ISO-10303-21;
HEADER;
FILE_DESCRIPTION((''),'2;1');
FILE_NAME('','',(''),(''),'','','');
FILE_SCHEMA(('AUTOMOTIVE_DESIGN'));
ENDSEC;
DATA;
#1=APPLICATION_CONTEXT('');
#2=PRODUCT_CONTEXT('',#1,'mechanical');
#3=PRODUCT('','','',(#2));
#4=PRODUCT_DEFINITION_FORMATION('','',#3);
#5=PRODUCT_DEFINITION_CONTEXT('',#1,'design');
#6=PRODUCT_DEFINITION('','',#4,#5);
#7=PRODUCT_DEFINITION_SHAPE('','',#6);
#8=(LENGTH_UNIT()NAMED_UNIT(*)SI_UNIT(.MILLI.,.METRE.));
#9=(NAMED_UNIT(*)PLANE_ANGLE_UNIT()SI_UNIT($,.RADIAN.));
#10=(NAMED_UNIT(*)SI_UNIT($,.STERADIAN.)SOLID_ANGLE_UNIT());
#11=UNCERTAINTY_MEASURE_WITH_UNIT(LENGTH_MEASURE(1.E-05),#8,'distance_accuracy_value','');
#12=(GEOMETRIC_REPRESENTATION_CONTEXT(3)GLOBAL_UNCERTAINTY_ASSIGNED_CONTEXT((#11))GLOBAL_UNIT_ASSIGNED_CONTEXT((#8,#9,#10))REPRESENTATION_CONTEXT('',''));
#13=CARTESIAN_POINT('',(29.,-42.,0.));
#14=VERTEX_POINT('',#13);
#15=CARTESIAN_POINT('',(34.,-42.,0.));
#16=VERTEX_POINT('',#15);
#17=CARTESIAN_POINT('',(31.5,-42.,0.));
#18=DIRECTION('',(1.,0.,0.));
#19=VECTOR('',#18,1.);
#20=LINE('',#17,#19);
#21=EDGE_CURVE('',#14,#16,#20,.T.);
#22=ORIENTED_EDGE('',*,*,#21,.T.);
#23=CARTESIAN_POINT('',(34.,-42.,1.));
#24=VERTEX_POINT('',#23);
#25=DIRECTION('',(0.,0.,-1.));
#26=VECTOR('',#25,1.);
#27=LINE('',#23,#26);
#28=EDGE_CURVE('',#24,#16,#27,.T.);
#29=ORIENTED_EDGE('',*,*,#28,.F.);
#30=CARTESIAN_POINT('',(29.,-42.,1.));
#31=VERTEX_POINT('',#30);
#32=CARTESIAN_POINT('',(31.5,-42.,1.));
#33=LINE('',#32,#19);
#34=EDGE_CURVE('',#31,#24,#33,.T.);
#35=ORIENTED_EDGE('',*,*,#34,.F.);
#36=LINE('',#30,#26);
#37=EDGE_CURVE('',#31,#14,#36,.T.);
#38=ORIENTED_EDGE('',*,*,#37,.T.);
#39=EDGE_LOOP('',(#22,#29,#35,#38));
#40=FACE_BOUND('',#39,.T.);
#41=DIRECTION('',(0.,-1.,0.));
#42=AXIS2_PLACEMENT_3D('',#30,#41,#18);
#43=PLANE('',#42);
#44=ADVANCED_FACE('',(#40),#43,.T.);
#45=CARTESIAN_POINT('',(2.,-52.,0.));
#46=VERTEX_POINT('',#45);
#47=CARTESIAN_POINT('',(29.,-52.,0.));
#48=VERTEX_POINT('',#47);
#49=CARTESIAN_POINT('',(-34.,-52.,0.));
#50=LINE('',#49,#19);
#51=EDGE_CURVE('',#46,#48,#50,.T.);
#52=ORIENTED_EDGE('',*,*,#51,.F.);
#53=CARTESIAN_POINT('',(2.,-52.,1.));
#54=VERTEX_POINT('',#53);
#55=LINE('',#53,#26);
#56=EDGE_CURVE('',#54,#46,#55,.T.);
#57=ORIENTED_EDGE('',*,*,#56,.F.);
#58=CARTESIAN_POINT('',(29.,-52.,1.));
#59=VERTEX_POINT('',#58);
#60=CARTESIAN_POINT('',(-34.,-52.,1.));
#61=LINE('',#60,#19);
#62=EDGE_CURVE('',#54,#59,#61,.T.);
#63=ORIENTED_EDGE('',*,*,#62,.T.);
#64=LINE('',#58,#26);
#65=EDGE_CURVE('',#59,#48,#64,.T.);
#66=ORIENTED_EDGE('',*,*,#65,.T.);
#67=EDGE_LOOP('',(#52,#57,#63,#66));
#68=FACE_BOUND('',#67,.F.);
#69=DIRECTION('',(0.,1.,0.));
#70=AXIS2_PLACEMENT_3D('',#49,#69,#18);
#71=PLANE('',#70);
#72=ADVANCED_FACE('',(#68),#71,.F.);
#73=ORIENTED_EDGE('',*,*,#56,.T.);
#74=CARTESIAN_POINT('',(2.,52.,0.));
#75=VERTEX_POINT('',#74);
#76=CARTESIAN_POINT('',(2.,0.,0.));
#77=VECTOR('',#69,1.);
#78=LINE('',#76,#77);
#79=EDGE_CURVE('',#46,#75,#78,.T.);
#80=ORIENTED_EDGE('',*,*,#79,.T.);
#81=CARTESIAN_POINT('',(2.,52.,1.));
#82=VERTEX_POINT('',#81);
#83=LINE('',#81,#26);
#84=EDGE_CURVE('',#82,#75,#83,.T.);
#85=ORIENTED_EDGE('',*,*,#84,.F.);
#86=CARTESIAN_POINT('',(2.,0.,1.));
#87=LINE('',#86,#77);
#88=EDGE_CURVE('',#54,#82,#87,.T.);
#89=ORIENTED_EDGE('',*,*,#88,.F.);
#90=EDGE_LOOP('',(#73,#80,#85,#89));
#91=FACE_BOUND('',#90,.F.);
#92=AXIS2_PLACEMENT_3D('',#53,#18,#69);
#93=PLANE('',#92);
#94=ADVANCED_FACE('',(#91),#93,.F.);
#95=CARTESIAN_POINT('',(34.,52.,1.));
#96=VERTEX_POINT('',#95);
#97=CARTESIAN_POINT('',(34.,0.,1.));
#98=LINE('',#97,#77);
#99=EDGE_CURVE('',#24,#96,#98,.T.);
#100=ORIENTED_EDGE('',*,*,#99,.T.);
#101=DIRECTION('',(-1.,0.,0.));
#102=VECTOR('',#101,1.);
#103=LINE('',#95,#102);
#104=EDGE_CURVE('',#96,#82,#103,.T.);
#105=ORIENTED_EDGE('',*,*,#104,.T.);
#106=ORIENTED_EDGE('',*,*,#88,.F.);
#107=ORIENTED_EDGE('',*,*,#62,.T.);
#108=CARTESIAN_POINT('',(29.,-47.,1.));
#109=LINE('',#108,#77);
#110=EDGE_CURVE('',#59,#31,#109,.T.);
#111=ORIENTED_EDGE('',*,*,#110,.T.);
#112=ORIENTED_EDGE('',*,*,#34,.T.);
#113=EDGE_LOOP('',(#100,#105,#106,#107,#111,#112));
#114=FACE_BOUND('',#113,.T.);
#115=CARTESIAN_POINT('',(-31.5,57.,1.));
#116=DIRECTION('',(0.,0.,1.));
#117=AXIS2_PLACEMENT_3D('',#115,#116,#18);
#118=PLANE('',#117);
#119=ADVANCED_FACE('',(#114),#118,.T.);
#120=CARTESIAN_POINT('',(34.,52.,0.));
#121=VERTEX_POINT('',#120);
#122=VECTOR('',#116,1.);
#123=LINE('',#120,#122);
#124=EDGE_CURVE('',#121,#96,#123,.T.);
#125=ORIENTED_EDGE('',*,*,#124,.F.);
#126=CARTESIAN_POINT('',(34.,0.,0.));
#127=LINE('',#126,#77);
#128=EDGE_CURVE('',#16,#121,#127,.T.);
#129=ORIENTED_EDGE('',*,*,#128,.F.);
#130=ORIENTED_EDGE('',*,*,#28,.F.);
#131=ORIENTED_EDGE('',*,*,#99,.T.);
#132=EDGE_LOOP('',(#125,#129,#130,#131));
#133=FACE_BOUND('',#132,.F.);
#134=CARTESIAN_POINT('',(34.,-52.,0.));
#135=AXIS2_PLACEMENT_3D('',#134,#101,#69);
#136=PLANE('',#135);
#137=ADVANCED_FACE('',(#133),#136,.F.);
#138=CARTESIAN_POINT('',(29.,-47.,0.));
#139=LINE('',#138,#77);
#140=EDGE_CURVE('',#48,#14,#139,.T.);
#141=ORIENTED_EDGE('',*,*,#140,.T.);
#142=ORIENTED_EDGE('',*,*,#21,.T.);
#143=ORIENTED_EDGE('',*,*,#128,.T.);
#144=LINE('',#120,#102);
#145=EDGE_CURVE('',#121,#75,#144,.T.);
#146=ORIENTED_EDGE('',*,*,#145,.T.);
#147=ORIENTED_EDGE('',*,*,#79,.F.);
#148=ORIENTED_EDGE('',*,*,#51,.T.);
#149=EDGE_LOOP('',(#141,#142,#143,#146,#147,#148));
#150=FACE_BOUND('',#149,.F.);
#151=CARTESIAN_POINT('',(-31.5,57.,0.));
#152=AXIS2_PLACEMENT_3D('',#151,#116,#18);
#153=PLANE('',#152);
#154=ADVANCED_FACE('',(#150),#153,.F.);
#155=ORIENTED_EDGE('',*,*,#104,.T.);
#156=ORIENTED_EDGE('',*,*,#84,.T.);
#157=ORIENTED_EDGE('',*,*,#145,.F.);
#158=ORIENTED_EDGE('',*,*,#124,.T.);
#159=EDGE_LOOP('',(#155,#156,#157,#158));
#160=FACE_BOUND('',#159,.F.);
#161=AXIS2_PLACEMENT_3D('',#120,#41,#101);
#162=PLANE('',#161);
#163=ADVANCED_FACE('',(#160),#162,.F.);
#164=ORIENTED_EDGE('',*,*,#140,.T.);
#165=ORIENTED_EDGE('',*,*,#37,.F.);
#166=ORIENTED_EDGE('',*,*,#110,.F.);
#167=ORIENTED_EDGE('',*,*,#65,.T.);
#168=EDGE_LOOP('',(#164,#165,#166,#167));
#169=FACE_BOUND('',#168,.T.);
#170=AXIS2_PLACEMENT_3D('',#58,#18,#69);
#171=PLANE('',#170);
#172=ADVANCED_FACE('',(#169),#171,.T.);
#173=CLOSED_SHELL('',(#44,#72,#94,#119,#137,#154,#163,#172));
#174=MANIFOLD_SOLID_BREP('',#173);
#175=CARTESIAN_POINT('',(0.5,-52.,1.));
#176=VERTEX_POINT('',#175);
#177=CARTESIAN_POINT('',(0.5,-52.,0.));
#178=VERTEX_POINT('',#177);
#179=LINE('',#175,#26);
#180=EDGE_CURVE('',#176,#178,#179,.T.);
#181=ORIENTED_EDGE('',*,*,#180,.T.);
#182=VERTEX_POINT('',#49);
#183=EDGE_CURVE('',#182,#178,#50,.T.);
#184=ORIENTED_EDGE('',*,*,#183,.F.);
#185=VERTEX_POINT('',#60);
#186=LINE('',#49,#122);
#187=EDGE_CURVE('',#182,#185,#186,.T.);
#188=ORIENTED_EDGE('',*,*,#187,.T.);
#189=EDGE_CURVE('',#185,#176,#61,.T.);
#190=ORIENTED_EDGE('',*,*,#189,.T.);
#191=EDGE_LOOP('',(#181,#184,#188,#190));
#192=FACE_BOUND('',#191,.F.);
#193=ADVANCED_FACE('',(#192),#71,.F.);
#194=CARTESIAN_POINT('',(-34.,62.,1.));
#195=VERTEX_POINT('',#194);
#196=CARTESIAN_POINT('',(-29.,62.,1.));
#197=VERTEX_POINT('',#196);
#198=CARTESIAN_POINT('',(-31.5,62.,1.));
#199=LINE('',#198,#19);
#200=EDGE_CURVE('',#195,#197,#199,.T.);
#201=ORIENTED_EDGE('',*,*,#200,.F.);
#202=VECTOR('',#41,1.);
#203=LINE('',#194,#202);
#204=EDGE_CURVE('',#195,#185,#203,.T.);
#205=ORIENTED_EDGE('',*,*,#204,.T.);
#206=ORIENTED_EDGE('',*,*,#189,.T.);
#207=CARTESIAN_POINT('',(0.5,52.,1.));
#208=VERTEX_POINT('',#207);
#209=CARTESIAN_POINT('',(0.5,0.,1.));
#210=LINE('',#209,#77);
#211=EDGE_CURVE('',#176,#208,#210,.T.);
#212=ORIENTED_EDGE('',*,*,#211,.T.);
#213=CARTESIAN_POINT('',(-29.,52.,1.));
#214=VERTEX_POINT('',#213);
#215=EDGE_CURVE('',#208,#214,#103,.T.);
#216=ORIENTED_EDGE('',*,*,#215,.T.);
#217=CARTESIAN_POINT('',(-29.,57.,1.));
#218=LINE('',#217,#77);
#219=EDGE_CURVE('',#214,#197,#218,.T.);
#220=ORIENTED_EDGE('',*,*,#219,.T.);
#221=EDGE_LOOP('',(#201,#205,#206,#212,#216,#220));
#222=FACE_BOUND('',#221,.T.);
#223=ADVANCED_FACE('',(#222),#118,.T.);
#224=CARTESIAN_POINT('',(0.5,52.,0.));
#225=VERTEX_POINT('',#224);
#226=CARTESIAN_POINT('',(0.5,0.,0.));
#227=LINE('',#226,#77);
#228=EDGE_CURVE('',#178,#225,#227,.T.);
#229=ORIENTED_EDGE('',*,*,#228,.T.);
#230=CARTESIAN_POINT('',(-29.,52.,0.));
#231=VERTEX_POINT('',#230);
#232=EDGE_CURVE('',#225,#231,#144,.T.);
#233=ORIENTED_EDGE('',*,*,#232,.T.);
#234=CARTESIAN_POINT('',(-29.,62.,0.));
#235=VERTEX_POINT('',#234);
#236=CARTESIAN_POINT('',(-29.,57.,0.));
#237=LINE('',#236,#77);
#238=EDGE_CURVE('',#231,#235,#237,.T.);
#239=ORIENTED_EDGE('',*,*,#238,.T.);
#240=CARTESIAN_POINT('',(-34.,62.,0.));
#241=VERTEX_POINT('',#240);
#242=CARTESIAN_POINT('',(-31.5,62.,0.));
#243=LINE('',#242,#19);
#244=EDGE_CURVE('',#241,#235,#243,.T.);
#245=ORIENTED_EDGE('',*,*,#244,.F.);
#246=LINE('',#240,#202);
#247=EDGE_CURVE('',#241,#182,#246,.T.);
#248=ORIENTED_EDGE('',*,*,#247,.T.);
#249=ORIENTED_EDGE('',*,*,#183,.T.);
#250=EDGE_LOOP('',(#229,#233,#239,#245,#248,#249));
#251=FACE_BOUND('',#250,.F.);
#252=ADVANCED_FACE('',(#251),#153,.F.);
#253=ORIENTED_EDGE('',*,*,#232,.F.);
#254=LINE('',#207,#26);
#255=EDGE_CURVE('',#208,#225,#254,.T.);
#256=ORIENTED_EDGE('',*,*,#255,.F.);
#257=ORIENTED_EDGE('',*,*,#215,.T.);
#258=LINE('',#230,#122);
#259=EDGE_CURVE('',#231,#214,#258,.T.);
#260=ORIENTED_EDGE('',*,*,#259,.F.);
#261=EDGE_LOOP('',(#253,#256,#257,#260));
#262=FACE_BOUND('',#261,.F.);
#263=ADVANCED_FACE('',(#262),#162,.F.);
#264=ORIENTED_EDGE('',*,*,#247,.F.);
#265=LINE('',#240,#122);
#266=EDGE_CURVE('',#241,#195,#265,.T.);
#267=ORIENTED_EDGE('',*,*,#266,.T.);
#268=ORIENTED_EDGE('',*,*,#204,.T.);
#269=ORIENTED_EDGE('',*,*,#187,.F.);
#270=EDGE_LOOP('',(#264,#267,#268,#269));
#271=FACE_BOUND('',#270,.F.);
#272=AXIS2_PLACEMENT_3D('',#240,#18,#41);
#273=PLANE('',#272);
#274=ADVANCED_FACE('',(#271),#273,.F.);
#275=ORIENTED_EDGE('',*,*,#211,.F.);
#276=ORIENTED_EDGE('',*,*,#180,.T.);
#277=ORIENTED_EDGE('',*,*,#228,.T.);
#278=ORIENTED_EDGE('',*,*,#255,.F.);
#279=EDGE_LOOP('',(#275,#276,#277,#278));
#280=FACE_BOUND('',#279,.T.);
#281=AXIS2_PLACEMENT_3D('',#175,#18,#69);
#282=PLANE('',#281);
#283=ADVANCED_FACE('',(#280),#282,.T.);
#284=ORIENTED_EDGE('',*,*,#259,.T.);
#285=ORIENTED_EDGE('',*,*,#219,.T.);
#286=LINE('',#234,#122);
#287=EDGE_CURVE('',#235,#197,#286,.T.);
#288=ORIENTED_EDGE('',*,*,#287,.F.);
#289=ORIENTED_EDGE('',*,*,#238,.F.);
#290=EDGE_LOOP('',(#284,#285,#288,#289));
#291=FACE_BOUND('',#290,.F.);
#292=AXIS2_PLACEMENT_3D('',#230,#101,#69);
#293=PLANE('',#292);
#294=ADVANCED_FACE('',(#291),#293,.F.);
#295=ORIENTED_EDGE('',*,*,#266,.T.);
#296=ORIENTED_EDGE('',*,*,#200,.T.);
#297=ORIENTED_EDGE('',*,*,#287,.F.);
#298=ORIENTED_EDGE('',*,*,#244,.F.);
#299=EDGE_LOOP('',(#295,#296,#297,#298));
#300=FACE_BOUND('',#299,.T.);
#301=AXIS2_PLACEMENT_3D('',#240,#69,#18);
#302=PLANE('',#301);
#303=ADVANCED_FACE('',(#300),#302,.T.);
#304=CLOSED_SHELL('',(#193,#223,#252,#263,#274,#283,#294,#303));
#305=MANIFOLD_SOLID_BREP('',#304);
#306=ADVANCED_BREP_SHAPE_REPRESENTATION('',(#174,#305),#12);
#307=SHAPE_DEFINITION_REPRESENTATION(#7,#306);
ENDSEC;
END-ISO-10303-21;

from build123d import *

# Parameters (mm, degrees)
F0_W     = 5
F0_H     = 10
F0_W_2   = 0.5
F0_H_2   = 104
F0_W_3   = 33.5
F1_DEPTH = 1
F2_W     = 1.5
F2_H     = 104
F3_DEPTH = 1
F4_W     = 5
F4_H     = 10
F5_DEPTH = 1


with BuildPart() as f1:
    # F0 (on Top) → F1 (new body)
    with BuildSketch(Plane.XY):
        with Locations((-31.5, 57)):
            Rectangle(F0_W, F0_H)
        Polygon((-29, 52), (-34, 52), (-34, -52), (-0.5, -52), (-0.5, 52), align=None)
        with Locations((-0.25, 0)):
            Rectangle(F0_W_2, F0_H_2)
        with Locations((0.25, 0)):
            Rectangle(F0_W_2, F0_H_2)
        with Locations((17.25, 0)):
            Rectangle(F0_W_3, F0_H_2)
    extrude(amount=F1_DEPTH)

    # F2 (on face) → F3 (cut)
    with BuildSketch(Plane.XY.offset(1)):
        with Locations((1.25, 0)):
            Rectangle(F2_W, F2_H)
    extrude(amount=-F3_DEPTH, mode=Mode.SUBTRACT)

    # F4 (on face) → F5 (cut)
    with BuildSketch(Plane.XY.offset(1)):
        with Locations((31.5, -47)):
            Rectangle(F4_W, F4_H)
    extrude(amount=-F5_DEPTH, mode=Mode.SUBTRACT)


solid = f1.part
